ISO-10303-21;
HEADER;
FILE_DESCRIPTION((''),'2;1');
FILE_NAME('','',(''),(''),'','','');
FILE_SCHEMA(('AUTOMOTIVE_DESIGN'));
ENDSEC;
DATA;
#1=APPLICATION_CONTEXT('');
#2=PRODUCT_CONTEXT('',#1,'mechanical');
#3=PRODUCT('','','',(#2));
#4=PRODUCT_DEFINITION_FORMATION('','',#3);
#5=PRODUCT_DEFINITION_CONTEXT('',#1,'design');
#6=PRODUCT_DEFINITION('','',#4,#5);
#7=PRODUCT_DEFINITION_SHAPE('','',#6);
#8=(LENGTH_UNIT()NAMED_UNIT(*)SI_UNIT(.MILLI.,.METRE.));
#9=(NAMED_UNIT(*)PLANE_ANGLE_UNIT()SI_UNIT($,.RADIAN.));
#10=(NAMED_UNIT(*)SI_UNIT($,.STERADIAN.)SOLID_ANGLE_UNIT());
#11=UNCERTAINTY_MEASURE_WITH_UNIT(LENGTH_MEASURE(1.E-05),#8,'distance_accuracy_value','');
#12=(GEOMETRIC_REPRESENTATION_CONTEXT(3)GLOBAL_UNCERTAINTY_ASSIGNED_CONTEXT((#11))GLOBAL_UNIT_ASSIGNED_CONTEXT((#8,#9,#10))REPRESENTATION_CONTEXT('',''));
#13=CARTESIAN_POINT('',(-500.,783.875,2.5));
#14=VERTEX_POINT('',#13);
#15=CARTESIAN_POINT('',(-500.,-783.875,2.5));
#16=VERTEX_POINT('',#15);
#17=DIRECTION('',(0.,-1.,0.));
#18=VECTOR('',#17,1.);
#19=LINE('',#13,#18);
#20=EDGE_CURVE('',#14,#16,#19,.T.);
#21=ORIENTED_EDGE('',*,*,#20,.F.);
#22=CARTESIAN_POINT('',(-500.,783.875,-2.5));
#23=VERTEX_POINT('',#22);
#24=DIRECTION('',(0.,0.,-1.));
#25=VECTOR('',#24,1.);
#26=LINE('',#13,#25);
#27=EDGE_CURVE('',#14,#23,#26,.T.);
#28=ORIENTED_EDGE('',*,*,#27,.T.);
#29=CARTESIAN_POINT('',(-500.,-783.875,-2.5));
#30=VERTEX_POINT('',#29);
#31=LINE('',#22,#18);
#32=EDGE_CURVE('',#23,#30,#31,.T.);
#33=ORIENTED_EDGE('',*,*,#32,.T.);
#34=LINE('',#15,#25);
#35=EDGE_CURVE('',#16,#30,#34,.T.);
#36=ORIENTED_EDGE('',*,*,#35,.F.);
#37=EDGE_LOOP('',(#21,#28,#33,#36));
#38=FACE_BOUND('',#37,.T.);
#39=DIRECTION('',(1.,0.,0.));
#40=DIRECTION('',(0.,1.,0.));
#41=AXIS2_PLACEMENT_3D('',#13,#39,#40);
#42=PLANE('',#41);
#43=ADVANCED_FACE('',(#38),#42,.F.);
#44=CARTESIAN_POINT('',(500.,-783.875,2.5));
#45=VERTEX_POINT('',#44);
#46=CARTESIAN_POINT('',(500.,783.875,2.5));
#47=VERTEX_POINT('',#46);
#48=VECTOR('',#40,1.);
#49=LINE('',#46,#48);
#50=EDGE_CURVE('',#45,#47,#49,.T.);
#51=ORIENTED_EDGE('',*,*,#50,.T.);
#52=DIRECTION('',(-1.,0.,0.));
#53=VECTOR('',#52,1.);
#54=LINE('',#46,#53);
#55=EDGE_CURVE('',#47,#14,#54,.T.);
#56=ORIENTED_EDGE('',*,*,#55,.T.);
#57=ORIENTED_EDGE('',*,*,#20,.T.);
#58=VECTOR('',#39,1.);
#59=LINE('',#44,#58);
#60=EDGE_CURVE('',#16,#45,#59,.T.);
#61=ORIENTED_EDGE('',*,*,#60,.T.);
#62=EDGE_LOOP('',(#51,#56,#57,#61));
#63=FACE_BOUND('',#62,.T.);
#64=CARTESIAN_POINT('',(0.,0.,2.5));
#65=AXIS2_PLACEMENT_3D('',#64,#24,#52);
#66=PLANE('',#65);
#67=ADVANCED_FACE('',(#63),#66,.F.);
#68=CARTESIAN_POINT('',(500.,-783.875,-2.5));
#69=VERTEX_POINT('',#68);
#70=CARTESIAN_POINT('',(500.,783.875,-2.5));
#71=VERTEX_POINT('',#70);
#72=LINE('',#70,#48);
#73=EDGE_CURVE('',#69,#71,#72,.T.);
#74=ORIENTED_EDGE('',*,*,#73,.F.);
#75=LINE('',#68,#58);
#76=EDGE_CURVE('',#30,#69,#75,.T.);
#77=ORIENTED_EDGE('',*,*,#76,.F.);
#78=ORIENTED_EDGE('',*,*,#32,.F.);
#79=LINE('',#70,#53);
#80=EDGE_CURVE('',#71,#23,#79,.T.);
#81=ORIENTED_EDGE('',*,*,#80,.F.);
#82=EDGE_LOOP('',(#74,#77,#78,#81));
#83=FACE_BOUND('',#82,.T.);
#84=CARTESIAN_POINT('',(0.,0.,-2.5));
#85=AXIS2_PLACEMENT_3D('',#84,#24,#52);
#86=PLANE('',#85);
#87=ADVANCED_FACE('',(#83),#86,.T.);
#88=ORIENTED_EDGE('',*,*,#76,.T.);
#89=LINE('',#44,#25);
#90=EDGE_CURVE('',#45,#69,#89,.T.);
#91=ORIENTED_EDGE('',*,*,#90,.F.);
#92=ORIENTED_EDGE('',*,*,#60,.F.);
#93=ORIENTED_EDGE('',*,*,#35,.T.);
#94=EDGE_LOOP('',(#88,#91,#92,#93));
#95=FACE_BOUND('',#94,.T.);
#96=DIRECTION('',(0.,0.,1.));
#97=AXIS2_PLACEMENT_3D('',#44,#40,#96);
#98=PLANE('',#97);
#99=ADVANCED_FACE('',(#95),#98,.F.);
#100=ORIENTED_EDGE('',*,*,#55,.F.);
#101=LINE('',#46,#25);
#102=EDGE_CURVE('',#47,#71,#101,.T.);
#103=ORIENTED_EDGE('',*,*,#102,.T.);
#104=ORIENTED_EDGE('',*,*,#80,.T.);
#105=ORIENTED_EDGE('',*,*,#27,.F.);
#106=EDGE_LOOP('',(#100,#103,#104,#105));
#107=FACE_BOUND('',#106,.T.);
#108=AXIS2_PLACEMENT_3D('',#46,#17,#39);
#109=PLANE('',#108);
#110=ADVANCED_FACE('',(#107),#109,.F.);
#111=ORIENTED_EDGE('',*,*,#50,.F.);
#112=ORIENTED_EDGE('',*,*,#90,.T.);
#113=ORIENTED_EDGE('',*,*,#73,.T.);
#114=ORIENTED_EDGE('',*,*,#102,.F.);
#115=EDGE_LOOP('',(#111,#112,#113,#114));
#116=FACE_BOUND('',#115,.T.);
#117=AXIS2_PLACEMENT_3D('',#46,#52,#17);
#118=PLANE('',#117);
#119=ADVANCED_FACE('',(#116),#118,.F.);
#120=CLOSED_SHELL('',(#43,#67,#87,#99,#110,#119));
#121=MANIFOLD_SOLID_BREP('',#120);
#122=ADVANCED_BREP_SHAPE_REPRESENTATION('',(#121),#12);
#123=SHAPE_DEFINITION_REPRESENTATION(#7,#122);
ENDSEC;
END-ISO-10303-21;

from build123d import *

# Parameters (mm, degrees)
SKETCH1_W           = 1000
SKETCH1_H           = 1567.75
BOSS_EXTRUDE1_DEPTH = 2.5


with BuildPart() as part:
    # Sketch1 → Boss-Extrude1 (new body, symmetric)
    with BuildSketch(Plane.XY):
        Rectangle(SKETCH1_W, SKETCH1_H)
    extrude(amount=BOSS_EXTRUDE1_DEPTH, both=True)


solid = part.part
